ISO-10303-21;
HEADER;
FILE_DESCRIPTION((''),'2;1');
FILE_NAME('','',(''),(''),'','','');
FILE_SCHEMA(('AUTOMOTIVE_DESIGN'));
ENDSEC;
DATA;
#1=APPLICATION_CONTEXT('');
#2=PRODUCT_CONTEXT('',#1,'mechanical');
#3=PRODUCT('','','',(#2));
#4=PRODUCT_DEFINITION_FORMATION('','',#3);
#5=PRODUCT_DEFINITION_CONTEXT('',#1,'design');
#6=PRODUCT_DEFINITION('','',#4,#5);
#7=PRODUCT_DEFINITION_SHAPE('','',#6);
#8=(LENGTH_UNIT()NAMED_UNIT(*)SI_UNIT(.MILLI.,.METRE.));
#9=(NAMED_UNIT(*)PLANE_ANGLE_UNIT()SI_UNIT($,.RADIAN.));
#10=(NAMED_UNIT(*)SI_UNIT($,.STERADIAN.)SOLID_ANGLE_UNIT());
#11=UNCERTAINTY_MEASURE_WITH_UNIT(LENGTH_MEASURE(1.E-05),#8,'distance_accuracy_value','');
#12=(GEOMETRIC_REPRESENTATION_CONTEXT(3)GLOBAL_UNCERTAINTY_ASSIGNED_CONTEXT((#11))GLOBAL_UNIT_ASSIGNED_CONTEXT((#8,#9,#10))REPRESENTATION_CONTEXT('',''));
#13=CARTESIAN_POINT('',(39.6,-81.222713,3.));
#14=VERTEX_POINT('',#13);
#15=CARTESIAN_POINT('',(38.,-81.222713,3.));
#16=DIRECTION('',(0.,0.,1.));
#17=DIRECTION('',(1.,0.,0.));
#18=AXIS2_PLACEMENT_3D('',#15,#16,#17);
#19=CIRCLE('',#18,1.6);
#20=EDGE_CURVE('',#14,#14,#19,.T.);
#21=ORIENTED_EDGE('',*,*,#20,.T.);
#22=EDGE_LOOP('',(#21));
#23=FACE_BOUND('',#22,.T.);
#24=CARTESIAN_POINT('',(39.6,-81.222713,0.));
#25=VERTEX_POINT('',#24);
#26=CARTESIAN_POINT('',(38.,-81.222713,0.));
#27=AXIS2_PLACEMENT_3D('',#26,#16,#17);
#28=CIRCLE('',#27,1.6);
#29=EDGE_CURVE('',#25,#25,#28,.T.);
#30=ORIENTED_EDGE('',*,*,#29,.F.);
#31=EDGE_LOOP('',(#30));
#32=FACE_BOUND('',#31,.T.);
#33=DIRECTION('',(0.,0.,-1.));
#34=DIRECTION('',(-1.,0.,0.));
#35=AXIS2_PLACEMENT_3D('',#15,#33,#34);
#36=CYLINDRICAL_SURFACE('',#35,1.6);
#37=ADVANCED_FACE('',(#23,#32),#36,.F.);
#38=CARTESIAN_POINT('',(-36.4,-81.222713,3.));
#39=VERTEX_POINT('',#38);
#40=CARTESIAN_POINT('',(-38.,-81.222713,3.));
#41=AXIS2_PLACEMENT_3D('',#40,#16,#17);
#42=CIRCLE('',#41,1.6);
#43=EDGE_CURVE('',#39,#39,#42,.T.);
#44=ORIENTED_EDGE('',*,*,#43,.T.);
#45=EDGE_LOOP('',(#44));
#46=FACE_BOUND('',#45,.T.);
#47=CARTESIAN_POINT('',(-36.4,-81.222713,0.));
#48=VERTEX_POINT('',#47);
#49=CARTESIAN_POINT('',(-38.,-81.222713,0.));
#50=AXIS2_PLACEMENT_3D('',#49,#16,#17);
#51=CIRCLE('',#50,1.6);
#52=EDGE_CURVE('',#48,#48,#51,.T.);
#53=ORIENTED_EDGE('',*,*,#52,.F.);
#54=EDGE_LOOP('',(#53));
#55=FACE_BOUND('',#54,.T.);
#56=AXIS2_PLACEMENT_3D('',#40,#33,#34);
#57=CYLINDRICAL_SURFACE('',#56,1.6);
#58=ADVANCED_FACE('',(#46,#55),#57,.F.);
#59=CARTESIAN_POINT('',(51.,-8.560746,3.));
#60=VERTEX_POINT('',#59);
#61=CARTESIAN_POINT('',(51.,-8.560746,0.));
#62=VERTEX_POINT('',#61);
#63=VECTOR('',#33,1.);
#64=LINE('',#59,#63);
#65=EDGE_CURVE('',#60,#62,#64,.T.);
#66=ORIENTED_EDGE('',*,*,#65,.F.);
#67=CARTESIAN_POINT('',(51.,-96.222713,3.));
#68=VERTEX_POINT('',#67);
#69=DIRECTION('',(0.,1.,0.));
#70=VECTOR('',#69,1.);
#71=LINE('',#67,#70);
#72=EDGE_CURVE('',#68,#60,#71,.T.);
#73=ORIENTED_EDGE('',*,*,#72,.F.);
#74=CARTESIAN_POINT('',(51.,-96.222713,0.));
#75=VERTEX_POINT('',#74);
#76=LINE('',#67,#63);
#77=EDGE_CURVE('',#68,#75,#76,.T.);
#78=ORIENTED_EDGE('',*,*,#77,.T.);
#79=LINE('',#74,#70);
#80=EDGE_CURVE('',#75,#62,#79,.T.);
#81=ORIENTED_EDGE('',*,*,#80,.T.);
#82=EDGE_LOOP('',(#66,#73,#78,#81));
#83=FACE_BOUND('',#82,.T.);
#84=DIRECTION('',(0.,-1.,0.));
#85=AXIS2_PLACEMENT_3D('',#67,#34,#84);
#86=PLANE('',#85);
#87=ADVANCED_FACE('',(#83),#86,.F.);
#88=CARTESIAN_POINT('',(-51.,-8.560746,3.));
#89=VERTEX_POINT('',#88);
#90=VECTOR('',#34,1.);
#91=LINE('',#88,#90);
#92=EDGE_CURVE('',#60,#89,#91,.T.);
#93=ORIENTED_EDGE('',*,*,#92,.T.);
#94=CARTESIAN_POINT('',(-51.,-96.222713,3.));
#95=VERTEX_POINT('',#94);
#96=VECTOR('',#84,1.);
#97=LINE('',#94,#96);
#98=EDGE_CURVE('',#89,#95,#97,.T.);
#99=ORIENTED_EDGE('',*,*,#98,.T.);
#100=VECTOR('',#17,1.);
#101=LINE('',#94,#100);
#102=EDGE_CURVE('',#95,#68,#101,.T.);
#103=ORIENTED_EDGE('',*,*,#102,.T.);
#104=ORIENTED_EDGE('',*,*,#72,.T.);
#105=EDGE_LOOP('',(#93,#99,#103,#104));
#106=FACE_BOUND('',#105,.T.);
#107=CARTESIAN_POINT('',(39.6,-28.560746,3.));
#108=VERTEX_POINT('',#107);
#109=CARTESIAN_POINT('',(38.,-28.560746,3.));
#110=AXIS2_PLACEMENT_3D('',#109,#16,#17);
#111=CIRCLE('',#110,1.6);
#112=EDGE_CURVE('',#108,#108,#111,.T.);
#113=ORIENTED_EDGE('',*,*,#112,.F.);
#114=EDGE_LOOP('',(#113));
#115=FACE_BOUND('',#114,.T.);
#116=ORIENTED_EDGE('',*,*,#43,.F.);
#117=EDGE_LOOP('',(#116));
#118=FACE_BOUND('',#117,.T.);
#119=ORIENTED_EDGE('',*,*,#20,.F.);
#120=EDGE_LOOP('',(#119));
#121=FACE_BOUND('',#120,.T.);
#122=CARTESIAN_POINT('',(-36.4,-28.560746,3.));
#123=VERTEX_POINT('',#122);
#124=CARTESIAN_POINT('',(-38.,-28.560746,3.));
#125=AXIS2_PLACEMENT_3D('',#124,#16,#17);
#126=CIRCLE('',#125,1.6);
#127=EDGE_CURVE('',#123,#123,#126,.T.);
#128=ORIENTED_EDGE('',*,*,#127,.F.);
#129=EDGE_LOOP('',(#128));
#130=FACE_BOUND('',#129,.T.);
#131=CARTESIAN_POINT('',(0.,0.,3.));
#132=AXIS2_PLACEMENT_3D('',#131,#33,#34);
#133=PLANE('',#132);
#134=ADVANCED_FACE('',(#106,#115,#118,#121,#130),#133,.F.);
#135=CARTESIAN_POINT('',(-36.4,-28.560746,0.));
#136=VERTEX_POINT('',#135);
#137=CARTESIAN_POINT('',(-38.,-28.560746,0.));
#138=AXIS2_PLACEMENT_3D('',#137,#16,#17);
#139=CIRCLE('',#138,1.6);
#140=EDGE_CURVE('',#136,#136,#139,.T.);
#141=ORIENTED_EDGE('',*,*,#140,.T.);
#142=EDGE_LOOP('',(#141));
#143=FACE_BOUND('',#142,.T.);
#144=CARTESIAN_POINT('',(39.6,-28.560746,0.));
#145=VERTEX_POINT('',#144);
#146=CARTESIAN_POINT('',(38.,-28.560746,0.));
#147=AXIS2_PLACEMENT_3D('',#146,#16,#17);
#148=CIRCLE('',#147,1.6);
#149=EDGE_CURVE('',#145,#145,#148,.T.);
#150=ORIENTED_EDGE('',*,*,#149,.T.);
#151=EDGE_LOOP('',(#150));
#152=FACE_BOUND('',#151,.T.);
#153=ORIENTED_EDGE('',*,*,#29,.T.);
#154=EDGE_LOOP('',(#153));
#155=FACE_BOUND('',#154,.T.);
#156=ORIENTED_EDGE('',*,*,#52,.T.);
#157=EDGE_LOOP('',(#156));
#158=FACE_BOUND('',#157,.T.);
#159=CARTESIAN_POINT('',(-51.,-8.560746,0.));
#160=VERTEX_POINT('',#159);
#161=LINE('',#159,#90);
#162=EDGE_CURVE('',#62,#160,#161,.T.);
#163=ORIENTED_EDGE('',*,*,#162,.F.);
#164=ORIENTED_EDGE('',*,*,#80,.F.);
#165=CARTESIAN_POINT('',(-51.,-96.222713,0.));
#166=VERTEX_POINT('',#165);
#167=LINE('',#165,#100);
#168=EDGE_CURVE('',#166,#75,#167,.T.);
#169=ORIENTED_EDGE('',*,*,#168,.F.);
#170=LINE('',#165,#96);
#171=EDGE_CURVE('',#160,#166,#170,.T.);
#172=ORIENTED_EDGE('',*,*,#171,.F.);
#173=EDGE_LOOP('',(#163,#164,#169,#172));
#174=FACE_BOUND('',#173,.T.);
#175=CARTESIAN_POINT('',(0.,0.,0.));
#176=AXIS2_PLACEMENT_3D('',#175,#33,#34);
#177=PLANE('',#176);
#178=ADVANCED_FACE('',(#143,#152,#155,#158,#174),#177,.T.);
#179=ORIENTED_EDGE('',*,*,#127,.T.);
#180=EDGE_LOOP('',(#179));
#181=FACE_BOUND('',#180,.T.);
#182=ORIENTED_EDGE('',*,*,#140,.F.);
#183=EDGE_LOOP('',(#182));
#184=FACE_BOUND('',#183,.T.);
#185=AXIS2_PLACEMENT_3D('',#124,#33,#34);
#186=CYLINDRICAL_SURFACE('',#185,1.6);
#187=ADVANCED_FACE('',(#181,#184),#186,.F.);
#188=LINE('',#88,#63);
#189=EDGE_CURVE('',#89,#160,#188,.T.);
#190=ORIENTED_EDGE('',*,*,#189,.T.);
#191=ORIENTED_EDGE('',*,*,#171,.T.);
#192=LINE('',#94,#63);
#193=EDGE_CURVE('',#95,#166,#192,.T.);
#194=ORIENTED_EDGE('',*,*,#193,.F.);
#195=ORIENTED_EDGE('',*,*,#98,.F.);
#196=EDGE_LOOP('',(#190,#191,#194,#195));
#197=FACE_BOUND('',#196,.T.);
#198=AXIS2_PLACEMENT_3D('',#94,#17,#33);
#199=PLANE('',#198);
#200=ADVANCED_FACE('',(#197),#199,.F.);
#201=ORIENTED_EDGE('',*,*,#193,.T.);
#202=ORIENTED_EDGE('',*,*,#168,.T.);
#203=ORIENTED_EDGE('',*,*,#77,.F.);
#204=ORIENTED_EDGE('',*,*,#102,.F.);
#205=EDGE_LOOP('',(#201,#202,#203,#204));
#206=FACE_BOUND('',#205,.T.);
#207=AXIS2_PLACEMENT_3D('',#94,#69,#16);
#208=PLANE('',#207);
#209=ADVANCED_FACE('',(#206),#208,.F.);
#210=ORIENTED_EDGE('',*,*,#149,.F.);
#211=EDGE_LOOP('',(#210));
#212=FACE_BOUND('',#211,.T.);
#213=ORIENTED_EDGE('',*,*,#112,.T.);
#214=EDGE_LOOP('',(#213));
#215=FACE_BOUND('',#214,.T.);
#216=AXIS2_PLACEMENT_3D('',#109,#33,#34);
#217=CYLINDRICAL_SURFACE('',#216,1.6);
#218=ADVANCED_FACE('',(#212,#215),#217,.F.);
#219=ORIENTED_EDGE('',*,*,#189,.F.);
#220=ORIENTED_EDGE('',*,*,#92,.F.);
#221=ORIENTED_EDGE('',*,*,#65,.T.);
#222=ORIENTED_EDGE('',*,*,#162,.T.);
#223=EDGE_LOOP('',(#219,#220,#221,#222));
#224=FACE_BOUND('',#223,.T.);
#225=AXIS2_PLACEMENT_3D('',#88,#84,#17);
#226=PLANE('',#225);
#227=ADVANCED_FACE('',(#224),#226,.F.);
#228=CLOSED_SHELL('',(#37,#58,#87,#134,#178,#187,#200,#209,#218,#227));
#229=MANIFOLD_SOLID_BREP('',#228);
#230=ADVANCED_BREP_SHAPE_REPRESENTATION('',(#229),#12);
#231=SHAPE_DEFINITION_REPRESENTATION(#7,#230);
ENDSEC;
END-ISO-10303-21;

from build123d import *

# Parameters (mm, degrees)
SKETCH_1_W      = 102
SKETCH_1_H      = 87.661967101
SKETCH_1_R      = 1.6
EXTRUDE_1_DEPTH = 3


with BuildPart() as part:
    # 草图1 → 凸台-拉伸1 (new body)
    with BuildSketch(Plane.XY):
        with Locations((0, -52.391729519)):
            Rectangle(SKETCH_1_W, SKETCH_1_H)
        with Locations((-38, -81.222713069)):
            Circle(SKETCH_1_R, mode=Mode.SUBTRACT)
        with Locations((38, -81.222713069)):
            Circle(SKETCH_1_R, mode=Mode.SUBTRACT)
        with Locations((38, -28.560745968)):
            Circle(SKETCH_1_R, mode=Mode.SUBTRACT)
        with Locations((-38, -28.560745968)):
            Circle(SKETCH_1_R, mode=Mode.SUBTRACT)
    extrude(amount=EXTRUDE_1_DEPTH)


solid = part.part
